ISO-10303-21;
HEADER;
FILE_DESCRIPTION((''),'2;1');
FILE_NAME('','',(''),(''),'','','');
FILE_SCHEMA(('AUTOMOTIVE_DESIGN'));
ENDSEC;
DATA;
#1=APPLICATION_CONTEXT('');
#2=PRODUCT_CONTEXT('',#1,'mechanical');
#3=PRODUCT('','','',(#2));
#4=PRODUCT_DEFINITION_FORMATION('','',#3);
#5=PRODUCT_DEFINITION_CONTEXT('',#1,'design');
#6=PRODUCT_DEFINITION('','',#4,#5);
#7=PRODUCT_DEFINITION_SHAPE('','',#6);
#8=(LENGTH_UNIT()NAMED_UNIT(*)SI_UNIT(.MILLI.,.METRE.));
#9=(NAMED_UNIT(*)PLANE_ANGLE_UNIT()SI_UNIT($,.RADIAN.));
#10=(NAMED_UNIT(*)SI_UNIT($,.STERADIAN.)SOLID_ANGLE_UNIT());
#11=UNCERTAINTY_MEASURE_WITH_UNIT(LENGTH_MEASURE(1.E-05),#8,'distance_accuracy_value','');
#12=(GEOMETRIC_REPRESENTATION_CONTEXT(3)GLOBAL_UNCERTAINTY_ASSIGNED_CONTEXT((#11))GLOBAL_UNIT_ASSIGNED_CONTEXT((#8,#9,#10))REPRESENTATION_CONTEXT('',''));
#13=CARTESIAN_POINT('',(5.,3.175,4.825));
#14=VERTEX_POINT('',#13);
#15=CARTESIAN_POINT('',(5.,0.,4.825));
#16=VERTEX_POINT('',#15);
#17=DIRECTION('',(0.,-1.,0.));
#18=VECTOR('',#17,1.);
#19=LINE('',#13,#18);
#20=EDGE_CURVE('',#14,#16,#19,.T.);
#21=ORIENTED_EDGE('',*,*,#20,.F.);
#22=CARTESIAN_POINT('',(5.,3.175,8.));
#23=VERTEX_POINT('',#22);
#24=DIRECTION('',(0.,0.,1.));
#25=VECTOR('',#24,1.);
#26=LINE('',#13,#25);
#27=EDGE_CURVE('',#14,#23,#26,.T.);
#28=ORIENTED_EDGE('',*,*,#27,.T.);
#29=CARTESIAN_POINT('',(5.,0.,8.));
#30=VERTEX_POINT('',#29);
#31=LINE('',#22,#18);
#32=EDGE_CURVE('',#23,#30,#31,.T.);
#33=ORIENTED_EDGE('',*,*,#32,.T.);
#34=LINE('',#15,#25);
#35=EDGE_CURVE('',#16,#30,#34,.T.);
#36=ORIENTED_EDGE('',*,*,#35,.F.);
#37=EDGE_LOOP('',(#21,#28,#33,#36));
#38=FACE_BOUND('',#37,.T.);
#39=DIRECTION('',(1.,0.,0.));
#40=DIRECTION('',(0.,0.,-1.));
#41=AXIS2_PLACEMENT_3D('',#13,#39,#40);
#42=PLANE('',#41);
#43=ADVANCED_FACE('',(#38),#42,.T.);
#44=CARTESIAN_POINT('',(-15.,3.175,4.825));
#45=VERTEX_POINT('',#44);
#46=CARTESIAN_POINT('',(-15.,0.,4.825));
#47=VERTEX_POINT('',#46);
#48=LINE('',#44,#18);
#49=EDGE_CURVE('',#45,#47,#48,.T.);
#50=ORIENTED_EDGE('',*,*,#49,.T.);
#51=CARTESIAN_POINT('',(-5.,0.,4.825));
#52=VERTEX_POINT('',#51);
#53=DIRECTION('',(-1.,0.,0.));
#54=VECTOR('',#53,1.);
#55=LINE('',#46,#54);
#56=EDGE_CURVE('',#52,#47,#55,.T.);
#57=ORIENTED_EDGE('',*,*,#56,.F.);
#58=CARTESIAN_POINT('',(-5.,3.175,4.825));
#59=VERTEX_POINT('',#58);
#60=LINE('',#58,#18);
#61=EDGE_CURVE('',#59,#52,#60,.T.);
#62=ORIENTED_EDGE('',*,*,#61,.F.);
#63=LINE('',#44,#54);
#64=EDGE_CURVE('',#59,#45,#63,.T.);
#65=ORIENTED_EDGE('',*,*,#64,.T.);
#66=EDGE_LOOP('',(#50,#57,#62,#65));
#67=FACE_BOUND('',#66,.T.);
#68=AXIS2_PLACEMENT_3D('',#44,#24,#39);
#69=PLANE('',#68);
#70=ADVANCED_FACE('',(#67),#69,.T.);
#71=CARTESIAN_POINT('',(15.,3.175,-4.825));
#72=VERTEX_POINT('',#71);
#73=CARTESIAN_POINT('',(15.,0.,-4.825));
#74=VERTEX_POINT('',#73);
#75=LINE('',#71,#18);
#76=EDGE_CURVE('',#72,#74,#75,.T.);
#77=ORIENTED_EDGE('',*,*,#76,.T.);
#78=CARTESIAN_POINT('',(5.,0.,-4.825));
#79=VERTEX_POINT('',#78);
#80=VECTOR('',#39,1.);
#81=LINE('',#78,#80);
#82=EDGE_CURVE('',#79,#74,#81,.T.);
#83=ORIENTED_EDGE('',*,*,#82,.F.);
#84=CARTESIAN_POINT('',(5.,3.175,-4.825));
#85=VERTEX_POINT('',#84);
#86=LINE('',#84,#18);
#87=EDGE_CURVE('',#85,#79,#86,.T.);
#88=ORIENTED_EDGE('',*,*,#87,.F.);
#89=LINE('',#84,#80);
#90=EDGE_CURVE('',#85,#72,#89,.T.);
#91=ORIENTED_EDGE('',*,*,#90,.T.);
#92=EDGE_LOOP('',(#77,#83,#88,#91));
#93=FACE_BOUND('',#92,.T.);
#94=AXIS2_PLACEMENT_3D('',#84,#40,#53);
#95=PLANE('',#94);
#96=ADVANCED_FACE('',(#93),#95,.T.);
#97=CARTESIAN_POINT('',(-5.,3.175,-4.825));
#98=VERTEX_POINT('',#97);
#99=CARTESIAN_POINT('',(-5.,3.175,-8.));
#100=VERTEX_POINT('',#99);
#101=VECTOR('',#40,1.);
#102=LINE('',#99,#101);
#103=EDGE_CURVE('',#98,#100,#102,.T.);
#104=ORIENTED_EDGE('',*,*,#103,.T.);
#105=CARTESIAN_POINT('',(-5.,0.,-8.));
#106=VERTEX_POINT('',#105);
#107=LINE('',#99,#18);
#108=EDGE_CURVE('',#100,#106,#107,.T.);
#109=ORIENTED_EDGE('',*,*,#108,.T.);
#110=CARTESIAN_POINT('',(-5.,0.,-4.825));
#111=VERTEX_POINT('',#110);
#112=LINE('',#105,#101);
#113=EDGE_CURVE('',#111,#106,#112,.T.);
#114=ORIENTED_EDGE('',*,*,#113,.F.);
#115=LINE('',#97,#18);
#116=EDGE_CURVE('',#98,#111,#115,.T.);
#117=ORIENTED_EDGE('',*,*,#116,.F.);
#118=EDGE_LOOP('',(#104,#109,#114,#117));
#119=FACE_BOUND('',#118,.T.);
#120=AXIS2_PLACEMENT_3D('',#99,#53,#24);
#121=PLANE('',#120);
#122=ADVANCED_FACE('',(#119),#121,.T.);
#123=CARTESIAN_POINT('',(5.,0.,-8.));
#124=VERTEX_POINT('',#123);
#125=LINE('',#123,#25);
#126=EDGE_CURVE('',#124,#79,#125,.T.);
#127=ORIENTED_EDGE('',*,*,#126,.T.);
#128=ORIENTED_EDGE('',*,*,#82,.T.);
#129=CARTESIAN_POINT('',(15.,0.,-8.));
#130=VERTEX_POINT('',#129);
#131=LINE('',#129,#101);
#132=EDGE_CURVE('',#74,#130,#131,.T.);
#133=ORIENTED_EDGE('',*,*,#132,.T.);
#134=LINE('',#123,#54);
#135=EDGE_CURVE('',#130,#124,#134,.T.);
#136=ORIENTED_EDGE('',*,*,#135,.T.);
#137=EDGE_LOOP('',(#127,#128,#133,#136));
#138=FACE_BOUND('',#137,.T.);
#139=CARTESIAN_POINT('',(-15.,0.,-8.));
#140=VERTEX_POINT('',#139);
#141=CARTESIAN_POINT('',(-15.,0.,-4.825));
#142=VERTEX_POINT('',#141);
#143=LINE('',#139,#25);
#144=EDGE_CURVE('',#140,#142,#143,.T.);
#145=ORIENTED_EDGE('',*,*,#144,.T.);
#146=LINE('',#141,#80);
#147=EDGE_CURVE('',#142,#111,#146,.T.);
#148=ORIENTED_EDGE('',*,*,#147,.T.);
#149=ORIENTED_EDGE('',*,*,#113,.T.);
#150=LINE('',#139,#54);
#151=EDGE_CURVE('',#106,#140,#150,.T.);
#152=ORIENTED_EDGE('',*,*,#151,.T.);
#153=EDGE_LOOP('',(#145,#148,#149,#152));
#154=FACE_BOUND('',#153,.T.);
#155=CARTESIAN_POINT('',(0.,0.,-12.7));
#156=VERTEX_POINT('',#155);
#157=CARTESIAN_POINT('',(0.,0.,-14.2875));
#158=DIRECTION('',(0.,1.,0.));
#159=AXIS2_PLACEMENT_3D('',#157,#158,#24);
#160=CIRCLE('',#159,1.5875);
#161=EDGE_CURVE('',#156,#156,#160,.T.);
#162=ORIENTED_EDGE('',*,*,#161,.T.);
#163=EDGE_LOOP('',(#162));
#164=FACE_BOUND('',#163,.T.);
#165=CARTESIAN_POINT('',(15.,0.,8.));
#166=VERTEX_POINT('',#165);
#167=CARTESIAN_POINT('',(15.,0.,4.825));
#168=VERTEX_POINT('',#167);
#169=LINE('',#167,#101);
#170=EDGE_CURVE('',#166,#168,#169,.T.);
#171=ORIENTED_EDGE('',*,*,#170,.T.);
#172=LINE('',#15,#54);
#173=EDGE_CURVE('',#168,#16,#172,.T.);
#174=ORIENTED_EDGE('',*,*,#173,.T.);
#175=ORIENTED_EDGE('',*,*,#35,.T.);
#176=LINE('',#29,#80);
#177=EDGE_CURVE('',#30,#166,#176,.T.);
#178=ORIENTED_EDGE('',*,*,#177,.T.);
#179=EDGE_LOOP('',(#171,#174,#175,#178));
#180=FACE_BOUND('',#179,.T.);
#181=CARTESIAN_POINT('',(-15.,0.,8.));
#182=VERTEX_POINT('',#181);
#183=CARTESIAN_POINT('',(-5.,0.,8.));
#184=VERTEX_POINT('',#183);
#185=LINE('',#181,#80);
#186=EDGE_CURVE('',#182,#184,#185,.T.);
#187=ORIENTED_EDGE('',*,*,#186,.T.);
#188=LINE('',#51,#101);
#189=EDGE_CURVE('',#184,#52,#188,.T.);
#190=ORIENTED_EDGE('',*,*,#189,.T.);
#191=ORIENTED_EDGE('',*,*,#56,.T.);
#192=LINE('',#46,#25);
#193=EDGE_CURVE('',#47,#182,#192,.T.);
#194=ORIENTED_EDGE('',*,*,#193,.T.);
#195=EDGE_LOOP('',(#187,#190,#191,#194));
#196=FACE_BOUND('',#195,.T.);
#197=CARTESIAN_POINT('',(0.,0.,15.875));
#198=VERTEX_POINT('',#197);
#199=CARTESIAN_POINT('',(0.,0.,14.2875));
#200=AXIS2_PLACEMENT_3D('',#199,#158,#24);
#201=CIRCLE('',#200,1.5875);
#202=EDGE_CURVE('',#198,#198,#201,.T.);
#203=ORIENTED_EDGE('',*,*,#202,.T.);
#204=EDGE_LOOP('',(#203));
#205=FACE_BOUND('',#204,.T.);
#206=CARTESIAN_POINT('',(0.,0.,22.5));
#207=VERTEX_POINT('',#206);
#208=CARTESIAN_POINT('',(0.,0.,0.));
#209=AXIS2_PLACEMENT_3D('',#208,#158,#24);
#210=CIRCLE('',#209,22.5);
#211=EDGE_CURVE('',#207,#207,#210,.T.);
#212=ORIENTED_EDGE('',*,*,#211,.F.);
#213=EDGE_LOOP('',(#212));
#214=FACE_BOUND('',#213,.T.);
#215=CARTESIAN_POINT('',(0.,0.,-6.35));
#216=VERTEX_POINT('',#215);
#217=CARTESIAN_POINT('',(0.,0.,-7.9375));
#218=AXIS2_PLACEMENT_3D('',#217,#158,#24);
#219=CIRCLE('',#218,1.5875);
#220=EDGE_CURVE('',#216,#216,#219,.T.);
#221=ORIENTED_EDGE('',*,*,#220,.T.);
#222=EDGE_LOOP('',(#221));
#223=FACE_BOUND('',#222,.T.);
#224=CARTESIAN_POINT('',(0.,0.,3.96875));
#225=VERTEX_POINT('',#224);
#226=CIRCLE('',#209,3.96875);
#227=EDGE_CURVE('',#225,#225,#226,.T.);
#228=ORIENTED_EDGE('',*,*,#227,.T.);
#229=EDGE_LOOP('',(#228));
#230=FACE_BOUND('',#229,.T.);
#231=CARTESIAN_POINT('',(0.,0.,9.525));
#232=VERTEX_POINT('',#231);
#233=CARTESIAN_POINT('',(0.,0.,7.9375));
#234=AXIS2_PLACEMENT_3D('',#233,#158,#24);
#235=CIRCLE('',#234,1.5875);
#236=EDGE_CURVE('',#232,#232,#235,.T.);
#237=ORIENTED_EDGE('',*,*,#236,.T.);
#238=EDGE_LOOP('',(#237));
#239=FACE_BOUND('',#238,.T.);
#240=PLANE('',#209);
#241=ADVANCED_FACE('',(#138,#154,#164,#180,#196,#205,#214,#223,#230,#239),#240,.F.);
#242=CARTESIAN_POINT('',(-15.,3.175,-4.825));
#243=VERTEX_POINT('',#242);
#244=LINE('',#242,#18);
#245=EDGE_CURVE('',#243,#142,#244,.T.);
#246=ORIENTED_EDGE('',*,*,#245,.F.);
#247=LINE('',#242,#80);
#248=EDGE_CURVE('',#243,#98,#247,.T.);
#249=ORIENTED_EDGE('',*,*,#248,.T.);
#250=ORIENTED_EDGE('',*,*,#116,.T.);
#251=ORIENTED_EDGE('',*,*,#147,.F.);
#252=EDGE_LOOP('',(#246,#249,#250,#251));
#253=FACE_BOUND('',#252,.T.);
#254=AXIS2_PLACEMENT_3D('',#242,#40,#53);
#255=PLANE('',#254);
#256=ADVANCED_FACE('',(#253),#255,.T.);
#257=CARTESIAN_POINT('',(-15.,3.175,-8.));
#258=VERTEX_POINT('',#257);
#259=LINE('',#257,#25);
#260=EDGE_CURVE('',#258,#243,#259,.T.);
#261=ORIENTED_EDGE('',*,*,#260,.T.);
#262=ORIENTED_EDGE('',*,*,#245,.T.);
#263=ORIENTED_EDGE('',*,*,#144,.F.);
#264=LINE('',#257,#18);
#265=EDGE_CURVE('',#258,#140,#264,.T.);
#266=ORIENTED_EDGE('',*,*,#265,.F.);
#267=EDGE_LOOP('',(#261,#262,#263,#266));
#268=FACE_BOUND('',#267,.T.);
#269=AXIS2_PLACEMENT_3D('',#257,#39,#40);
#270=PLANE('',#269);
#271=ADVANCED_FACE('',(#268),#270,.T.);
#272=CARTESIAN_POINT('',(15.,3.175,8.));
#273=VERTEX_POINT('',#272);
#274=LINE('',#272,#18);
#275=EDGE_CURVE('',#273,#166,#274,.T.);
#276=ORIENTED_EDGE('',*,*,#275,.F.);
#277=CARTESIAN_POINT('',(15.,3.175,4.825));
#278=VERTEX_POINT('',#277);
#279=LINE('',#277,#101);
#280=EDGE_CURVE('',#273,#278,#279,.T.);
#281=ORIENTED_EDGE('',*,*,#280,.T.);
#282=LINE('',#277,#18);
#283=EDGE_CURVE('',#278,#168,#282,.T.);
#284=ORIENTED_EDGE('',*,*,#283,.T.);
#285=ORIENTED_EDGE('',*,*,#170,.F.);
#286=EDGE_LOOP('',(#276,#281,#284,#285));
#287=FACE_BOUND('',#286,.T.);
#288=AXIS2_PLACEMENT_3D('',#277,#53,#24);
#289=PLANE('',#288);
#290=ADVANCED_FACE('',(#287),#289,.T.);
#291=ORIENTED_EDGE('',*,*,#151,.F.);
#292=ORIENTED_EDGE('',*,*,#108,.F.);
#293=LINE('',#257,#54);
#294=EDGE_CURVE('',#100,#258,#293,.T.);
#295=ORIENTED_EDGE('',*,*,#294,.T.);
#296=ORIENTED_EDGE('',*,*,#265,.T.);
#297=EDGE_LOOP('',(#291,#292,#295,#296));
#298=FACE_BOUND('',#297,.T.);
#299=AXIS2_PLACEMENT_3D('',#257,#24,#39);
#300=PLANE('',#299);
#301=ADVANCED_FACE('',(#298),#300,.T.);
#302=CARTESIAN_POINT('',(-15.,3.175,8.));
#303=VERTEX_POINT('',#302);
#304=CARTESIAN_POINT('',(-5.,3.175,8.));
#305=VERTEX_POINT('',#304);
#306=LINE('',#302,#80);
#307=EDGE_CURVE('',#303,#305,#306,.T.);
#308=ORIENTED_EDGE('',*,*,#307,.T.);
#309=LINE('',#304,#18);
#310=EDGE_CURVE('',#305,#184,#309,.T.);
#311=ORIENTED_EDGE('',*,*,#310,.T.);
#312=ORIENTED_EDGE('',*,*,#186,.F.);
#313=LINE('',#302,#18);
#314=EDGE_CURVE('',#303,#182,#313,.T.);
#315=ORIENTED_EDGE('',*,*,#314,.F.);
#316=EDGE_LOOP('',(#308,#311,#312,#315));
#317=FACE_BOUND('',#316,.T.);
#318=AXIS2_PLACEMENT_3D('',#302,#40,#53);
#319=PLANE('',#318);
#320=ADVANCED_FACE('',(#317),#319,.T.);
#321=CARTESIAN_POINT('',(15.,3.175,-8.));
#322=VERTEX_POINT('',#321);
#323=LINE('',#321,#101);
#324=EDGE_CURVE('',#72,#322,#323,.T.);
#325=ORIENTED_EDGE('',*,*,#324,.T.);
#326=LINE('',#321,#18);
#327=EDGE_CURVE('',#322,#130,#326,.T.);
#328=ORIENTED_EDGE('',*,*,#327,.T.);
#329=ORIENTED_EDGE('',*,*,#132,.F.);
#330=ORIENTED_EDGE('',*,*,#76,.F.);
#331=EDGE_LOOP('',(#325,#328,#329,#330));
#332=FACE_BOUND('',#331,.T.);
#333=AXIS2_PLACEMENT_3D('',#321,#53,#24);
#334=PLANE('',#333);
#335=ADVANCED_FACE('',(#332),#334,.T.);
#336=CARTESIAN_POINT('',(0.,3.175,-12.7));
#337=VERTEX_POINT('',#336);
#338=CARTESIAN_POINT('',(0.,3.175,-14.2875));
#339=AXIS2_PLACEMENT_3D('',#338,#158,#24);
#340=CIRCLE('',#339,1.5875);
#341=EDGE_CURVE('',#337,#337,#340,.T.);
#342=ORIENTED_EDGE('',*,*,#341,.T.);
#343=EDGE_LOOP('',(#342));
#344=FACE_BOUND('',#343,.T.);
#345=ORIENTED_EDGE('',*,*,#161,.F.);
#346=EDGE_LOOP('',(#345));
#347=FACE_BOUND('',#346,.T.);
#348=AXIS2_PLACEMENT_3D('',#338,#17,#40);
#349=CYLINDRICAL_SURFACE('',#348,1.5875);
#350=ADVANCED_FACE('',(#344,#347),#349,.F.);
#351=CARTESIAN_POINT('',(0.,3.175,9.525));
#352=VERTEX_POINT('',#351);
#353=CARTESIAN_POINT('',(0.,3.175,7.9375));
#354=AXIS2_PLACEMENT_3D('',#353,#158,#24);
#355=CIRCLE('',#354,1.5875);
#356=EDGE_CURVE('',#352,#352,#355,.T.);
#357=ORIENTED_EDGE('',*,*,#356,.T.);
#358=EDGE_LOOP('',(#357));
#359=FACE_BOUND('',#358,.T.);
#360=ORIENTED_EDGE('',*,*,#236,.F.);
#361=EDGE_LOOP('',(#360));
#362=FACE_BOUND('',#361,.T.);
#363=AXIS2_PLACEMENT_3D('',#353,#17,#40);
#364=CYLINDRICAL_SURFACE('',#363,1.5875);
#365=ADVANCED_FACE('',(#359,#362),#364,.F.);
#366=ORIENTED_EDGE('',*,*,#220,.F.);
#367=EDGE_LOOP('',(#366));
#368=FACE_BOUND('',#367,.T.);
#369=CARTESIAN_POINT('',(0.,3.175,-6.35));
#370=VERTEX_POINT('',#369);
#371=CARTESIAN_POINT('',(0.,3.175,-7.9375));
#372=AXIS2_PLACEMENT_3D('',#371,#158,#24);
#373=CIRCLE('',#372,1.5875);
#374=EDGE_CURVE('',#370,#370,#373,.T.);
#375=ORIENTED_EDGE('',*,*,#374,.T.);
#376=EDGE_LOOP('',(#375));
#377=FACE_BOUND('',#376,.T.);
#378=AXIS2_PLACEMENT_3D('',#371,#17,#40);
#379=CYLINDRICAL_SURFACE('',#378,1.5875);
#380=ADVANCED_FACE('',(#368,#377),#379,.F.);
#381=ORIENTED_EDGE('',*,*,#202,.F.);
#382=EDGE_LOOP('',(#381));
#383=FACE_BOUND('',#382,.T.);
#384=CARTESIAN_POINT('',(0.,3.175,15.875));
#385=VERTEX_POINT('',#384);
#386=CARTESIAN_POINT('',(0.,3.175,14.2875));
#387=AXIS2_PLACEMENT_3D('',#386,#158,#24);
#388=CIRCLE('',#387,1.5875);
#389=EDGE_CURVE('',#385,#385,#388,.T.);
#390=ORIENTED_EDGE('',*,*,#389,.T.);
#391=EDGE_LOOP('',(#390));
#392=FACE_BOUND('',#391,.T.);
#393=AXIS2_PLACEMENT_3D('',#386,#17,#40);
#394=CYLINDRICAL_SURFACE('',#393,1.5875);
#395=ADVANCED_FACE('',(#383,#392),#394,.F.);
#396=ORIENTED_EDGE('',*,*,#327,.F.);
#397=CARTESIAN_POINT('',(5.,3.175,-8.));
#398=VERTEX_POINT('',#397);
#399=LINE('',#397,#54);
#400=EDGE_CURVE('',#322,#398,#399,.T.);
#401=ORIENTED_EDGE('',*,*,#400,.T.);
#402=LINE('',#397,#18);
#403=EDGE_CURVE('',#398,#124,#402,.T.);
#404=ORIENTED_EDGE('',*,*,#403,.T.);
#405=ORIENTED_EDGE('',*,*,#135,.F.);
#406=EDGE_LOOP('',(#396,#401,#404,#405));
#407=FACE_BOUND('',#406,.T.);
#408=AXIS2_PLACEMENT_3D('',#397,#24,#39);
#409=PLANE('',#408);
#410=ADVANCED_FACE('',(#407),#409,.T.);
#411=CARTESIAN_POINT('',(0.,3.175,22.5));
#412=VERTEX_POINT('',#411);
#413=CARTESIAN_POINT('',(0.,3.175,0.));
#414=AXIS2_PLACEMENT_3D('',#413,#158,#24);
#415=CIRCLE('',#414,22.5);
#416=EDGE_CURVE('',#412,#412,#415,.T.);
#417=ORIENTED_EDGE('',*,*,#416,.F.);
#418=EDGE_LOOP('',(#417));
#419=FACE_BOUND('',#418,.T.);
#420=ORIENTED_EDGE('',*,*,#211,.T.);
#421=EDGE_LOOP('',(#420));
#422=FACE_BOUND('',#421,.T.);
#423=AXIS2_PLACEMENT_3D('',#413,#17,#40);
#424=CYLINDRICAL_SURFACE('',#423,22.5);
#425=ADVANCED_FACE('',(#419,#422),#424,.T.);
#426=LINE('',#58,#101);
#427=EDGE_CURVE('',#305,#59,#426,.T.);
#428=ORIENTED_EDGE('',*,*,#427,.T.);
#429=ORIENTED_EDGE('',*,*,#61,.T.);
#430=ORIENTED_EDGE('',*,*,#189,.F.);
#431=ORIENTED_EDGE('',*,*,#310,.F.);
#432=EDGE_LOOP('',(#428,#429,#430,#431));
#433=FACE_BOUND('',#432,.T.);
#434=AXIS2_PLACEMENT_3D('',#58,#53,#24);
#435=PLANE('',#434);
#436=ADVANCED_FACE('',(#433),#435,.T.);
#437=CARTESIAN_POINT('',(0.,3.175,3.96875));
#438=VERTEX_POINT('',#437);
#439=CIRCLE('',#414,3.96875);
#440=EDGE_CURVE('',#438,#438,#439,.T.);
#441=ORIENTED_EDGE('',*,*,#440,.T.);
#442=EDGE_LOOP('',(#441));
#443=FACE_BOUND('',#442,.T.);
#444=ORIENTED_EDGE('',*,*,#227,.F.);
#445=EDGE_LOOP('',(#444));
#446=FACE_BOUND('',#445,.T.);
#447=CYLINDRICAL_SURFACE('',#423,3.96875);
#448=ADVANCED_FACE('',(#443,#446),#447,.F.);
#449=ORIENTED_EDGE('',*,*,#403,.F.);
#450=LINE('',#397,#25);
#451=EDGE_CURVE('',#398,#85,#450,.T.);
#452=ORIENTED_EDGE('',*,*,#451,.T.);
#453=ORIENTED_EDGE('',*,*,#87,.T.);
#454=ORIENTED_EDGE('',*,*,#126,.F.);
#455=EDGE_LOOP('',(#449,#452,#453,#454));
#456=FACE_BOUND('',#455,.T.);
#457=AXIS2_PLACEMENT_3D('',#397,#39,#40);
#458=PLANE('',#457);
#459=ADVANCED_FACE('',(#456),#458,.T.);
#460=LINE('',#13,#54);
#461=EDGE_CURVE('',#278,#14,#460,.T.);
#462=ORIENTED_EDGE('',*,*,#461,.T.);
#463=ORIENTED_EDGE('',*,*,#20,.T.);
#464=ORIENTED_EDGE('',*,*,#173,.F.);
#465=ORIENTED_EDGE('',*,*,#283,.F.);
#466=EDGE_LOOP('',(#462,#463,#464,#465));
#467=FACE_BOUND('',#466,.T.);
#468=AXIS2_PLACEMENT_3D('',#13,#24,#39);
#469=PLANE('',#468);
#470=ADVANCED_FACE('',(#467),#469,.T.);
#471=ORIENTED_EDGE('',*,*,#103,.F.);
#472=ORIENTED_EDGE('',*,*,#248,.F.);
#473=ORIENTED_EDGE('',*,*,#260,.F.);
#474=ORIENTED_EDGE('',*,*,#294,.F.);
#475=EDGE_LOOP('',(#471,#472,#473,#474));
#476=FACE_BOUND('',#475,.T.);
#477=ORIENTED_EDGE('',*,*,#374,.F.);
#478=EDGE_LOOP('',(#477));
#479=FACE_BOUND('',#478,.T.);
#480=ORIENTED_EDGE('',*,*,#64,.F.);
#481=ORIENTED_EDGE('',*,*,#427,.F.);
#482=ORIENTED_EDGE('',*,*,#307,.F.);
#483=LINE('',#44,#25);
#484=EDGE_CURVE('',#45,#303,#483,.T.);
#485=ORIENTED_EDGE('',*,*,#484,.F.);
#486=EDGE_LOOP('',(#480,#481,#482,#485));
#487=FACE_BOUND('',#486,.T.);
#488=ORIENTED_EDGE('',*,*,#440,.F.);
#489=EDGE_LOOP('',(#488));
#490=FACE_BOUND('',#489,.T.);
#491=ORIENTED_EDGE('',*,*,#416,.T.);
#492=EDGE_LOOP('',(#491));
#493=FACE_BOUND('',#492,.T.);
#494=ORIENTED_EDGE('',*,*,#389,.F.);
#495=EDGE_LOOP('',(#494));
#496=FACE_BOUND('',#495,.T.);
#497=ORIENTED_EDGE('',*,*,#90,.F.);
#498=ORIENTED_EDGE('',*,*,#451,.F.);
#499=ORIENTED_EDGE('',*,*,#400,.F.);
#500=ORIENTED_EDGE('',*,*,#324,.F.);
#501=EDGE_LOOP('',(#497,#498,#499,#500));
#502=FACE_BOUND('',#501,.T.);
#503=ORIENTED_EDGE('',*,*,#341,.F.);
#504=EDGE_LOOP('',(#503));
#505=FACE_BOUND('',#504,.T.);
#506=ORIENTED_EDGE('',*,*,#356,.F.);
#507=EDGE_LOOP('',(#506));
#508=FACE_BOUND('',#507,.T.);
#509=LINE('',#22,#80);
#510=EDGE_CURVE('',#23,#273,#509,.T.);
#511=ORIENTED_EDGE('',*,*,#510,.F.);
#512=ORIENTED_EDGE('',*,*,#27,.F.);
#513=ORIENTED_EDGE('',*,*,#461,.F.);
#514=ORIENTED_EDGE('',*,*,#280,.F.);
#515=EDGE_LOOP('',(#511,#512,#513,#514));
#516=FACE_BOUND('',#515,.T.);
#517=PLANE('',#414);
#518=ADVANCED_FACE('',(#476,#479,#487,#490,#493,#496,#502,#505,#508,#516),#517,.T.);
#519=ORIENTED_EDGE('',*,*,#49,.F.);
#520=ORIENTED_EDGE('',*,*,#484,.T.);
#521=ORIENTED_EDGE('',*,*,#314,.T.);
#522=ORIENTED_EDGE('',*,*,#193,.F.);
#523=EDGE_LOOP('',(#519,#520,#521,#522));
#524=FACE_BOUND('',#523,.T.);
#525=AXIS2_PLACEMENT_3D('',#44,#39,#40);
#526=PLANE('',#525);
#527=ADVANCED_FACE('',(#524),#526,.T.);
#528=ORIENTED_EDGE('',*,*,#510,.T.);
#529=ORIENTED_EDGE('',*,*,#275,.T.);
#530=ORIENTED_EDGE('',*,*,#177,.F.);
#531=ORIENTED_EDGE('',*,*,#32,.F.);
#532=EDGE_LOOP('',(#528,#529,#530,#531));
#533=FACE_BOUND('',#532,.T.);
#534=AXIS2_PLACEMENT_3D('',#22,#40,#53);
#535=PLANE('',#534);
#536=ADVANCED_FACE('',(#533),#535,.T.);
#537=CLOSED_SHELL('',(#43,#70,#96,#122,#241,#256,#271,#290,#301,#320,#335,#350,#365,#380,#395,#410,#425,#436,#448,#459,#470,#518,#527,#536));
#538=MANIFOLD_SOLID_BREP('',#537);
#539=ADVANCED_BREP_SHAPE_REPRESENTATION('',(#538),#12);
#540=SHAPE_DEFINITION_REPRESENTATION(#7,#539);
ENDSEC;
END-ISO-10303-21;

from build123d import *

# Parameters (mm, degrees)
CROQUIS1_R              = 22.5
CROQUIS1_R_2            = 3.96875
CROQUIS1_R_3            = 1.5875
CROQUIS1_W              = 10
CROQUIS1_H              = 3.175
SALIENTE_EXTRUIR1_DEPTH = 3.175


with BuildPart() as part:
    # Croquis1 → Saliente-Extruir1 (new body)
    with BuildSketch(Plane(origin=(0, 0, 0), x_dir=(1, 0, 0), z_dir=(0, 1, 0))):
        Circle(CROQUIS1_R)
        Circle(CROQUIS1_R_2, mode=Mode.SUBTRACT)
        with Locations((0, 7.9375)):
            Circle(CROQUIS1_R_3, mode=Mode.SUBTRACT)
        with Locations((0, -7.9375)):
            Circle(CROQUIS1_R_3, mode=Mode.SUBTRACT)
        with Locations((0, 14.2875)):
            Circle(CROQUIS1_R_3, mode=Mode.SUBTRACT)
        with Locations((0, -14.2875)):
            Circle(CROQUIS1_R_3, mode=Mode.SUBTRACT)
        with Locations((-10, 6.4125)):
            Rectangle(CROQUIS1_W, CROQUIS1_H, mode=Mode.SUBTRACT)
        with Locations((10, 6.4125)):
            Rectangle(CROQUIS1_W, CROQUIS1_H, mode=Mode.SUBTRACT)
        with Locations((-10, -6.4125)):
            Rectangle(CROQUIS1_W, CROQUIS1_H, mode=Mode.SUBTRACT)
        with Locations((10, -6.4125)):
            Rectangle(CROQUIS1_W, CROQUIS1_H, mode=Mode.SUBTRACT)
    extrude(amount=SALIENTE_EXTRUIR1_DEPTH)


solid = part.part
